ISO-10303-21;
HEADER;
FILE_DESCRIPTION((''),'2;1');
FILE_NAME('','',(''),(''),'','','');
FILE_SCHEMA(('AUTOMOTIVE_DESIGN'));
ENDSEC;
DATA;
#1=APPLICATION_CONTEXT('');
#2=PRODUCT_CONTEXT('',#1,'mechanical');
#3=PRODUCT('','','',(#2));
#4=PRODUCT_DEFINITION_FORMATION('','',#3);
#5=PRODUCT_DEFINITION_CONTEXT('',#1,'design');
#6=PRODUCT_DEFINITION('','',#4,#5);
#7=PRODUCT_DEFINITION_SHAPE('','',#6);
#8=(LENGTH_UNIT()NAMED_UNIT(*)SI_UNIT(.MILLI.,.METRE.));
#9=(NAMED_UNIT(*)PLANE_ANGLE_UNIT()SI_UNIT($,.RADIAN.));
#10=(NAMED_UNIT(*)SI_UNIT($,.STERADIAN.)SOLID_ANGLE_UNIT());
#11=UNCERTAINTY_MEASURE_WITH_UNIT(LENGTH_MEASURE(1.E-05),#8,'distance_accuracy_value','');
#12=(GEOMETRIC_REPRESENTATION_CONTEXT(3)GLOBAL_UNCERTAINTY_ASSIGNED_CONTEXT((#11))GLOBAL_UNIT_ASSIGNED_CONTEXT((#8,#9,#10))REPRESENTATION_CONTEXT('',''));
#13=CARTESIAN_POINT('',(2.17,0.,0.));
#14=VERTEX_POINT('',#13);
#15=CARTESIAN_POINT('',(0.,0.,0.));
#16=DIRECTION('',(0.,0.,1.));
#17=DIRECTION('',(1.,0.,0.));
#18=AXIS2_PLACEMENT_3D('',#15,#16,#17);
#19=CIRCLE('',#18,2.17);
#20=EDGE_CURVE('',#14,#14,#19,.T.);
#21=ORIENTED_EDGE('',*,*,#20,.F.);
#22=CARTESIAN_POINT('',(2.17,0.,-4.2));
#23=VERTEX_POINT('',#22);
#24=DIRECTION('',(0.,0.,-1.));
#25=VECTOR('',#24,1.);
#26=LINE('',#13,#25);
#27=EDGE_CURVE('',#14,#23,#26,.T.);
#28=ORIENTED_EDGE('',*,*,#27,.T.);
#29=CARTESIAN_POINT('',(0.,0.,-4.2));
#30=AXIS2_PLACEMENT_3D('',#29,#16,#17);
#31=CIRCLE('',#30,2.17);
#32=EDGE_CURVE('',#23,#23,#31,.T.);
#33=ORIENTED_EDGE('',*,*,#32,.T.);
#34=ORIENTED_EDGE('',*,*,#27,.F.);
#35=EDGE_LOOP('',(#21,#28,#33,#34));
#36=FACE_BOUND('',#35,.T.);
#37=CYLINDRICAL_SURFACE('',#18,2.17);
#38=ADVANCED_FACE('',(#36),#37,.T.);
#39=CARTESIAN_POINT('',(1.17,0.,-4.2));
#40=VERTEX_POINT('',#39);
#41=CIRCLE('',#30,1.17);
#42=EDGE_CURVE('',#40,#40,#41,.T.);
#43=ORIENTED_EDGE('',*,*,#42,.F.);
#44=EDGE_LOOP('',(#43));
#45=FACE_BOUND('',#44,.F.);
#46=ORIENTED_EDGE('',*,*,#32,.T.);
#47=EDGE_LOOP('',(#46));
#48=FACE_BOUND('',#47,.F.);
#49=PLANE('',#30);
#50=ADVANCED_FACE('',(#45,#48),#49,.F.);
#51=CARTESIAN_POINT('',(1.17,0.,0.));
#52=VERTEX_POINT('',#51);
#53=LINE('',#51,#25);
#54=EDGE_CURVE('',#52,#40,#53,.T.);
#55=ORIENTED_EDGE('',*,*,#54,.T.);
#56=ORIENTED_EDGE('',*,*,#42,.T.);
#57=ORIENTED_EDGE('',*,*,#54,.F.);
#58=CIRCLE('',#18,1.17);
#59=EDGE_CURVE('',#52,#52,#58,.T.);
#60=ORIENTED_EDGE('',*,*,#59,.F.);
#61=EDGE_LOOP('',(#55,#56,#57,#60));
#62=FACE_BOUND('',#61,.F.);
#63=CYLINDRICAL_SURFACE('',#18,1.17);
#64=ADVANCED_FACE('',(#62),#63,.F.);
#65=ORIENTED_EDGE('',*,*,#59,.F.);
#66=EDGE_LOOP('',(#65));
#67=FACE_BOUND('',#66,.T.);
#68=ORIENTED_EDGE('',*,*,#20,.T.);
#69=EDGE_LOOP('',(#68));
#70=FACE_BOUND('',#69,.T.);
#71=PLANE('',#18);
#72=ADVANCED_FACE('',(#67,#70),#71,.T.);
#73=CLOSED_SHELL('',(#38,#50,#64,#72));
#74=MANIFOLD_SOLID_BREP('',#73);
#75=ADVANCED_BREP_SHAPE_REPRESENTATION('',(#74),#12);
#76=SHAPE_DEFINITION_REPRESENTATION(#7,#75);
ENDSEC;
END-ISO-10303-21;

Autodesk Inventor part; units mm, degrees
ref_plane "YZ Plane" through (0, 0, 0) normal (1, 0, 0) x (0, 1, 0)
ref_plane "XZ Plane" through (0, 0, 0) normal (0, 1, 0) x (-1, 0, 0)
ref_plane "XY Plane" through (0, 0, 0) normal (0, 0, 1) x (1, 0, 0)
sketch "Sketch1" plane through (0, 0, 0) normal (0, 0, 1) x (1, 0, 0)
  circle A0 centre (0, 0) radius 1.17
  circle A1 centre (0, 0) radius 2.17
  dimension "d0" = 2.34
  dimension "d1" = 4.34
extrude "Extrusion1" add sketch "Sketch1" against normal blind 4.2
properties part number "separador 4.2mm"
